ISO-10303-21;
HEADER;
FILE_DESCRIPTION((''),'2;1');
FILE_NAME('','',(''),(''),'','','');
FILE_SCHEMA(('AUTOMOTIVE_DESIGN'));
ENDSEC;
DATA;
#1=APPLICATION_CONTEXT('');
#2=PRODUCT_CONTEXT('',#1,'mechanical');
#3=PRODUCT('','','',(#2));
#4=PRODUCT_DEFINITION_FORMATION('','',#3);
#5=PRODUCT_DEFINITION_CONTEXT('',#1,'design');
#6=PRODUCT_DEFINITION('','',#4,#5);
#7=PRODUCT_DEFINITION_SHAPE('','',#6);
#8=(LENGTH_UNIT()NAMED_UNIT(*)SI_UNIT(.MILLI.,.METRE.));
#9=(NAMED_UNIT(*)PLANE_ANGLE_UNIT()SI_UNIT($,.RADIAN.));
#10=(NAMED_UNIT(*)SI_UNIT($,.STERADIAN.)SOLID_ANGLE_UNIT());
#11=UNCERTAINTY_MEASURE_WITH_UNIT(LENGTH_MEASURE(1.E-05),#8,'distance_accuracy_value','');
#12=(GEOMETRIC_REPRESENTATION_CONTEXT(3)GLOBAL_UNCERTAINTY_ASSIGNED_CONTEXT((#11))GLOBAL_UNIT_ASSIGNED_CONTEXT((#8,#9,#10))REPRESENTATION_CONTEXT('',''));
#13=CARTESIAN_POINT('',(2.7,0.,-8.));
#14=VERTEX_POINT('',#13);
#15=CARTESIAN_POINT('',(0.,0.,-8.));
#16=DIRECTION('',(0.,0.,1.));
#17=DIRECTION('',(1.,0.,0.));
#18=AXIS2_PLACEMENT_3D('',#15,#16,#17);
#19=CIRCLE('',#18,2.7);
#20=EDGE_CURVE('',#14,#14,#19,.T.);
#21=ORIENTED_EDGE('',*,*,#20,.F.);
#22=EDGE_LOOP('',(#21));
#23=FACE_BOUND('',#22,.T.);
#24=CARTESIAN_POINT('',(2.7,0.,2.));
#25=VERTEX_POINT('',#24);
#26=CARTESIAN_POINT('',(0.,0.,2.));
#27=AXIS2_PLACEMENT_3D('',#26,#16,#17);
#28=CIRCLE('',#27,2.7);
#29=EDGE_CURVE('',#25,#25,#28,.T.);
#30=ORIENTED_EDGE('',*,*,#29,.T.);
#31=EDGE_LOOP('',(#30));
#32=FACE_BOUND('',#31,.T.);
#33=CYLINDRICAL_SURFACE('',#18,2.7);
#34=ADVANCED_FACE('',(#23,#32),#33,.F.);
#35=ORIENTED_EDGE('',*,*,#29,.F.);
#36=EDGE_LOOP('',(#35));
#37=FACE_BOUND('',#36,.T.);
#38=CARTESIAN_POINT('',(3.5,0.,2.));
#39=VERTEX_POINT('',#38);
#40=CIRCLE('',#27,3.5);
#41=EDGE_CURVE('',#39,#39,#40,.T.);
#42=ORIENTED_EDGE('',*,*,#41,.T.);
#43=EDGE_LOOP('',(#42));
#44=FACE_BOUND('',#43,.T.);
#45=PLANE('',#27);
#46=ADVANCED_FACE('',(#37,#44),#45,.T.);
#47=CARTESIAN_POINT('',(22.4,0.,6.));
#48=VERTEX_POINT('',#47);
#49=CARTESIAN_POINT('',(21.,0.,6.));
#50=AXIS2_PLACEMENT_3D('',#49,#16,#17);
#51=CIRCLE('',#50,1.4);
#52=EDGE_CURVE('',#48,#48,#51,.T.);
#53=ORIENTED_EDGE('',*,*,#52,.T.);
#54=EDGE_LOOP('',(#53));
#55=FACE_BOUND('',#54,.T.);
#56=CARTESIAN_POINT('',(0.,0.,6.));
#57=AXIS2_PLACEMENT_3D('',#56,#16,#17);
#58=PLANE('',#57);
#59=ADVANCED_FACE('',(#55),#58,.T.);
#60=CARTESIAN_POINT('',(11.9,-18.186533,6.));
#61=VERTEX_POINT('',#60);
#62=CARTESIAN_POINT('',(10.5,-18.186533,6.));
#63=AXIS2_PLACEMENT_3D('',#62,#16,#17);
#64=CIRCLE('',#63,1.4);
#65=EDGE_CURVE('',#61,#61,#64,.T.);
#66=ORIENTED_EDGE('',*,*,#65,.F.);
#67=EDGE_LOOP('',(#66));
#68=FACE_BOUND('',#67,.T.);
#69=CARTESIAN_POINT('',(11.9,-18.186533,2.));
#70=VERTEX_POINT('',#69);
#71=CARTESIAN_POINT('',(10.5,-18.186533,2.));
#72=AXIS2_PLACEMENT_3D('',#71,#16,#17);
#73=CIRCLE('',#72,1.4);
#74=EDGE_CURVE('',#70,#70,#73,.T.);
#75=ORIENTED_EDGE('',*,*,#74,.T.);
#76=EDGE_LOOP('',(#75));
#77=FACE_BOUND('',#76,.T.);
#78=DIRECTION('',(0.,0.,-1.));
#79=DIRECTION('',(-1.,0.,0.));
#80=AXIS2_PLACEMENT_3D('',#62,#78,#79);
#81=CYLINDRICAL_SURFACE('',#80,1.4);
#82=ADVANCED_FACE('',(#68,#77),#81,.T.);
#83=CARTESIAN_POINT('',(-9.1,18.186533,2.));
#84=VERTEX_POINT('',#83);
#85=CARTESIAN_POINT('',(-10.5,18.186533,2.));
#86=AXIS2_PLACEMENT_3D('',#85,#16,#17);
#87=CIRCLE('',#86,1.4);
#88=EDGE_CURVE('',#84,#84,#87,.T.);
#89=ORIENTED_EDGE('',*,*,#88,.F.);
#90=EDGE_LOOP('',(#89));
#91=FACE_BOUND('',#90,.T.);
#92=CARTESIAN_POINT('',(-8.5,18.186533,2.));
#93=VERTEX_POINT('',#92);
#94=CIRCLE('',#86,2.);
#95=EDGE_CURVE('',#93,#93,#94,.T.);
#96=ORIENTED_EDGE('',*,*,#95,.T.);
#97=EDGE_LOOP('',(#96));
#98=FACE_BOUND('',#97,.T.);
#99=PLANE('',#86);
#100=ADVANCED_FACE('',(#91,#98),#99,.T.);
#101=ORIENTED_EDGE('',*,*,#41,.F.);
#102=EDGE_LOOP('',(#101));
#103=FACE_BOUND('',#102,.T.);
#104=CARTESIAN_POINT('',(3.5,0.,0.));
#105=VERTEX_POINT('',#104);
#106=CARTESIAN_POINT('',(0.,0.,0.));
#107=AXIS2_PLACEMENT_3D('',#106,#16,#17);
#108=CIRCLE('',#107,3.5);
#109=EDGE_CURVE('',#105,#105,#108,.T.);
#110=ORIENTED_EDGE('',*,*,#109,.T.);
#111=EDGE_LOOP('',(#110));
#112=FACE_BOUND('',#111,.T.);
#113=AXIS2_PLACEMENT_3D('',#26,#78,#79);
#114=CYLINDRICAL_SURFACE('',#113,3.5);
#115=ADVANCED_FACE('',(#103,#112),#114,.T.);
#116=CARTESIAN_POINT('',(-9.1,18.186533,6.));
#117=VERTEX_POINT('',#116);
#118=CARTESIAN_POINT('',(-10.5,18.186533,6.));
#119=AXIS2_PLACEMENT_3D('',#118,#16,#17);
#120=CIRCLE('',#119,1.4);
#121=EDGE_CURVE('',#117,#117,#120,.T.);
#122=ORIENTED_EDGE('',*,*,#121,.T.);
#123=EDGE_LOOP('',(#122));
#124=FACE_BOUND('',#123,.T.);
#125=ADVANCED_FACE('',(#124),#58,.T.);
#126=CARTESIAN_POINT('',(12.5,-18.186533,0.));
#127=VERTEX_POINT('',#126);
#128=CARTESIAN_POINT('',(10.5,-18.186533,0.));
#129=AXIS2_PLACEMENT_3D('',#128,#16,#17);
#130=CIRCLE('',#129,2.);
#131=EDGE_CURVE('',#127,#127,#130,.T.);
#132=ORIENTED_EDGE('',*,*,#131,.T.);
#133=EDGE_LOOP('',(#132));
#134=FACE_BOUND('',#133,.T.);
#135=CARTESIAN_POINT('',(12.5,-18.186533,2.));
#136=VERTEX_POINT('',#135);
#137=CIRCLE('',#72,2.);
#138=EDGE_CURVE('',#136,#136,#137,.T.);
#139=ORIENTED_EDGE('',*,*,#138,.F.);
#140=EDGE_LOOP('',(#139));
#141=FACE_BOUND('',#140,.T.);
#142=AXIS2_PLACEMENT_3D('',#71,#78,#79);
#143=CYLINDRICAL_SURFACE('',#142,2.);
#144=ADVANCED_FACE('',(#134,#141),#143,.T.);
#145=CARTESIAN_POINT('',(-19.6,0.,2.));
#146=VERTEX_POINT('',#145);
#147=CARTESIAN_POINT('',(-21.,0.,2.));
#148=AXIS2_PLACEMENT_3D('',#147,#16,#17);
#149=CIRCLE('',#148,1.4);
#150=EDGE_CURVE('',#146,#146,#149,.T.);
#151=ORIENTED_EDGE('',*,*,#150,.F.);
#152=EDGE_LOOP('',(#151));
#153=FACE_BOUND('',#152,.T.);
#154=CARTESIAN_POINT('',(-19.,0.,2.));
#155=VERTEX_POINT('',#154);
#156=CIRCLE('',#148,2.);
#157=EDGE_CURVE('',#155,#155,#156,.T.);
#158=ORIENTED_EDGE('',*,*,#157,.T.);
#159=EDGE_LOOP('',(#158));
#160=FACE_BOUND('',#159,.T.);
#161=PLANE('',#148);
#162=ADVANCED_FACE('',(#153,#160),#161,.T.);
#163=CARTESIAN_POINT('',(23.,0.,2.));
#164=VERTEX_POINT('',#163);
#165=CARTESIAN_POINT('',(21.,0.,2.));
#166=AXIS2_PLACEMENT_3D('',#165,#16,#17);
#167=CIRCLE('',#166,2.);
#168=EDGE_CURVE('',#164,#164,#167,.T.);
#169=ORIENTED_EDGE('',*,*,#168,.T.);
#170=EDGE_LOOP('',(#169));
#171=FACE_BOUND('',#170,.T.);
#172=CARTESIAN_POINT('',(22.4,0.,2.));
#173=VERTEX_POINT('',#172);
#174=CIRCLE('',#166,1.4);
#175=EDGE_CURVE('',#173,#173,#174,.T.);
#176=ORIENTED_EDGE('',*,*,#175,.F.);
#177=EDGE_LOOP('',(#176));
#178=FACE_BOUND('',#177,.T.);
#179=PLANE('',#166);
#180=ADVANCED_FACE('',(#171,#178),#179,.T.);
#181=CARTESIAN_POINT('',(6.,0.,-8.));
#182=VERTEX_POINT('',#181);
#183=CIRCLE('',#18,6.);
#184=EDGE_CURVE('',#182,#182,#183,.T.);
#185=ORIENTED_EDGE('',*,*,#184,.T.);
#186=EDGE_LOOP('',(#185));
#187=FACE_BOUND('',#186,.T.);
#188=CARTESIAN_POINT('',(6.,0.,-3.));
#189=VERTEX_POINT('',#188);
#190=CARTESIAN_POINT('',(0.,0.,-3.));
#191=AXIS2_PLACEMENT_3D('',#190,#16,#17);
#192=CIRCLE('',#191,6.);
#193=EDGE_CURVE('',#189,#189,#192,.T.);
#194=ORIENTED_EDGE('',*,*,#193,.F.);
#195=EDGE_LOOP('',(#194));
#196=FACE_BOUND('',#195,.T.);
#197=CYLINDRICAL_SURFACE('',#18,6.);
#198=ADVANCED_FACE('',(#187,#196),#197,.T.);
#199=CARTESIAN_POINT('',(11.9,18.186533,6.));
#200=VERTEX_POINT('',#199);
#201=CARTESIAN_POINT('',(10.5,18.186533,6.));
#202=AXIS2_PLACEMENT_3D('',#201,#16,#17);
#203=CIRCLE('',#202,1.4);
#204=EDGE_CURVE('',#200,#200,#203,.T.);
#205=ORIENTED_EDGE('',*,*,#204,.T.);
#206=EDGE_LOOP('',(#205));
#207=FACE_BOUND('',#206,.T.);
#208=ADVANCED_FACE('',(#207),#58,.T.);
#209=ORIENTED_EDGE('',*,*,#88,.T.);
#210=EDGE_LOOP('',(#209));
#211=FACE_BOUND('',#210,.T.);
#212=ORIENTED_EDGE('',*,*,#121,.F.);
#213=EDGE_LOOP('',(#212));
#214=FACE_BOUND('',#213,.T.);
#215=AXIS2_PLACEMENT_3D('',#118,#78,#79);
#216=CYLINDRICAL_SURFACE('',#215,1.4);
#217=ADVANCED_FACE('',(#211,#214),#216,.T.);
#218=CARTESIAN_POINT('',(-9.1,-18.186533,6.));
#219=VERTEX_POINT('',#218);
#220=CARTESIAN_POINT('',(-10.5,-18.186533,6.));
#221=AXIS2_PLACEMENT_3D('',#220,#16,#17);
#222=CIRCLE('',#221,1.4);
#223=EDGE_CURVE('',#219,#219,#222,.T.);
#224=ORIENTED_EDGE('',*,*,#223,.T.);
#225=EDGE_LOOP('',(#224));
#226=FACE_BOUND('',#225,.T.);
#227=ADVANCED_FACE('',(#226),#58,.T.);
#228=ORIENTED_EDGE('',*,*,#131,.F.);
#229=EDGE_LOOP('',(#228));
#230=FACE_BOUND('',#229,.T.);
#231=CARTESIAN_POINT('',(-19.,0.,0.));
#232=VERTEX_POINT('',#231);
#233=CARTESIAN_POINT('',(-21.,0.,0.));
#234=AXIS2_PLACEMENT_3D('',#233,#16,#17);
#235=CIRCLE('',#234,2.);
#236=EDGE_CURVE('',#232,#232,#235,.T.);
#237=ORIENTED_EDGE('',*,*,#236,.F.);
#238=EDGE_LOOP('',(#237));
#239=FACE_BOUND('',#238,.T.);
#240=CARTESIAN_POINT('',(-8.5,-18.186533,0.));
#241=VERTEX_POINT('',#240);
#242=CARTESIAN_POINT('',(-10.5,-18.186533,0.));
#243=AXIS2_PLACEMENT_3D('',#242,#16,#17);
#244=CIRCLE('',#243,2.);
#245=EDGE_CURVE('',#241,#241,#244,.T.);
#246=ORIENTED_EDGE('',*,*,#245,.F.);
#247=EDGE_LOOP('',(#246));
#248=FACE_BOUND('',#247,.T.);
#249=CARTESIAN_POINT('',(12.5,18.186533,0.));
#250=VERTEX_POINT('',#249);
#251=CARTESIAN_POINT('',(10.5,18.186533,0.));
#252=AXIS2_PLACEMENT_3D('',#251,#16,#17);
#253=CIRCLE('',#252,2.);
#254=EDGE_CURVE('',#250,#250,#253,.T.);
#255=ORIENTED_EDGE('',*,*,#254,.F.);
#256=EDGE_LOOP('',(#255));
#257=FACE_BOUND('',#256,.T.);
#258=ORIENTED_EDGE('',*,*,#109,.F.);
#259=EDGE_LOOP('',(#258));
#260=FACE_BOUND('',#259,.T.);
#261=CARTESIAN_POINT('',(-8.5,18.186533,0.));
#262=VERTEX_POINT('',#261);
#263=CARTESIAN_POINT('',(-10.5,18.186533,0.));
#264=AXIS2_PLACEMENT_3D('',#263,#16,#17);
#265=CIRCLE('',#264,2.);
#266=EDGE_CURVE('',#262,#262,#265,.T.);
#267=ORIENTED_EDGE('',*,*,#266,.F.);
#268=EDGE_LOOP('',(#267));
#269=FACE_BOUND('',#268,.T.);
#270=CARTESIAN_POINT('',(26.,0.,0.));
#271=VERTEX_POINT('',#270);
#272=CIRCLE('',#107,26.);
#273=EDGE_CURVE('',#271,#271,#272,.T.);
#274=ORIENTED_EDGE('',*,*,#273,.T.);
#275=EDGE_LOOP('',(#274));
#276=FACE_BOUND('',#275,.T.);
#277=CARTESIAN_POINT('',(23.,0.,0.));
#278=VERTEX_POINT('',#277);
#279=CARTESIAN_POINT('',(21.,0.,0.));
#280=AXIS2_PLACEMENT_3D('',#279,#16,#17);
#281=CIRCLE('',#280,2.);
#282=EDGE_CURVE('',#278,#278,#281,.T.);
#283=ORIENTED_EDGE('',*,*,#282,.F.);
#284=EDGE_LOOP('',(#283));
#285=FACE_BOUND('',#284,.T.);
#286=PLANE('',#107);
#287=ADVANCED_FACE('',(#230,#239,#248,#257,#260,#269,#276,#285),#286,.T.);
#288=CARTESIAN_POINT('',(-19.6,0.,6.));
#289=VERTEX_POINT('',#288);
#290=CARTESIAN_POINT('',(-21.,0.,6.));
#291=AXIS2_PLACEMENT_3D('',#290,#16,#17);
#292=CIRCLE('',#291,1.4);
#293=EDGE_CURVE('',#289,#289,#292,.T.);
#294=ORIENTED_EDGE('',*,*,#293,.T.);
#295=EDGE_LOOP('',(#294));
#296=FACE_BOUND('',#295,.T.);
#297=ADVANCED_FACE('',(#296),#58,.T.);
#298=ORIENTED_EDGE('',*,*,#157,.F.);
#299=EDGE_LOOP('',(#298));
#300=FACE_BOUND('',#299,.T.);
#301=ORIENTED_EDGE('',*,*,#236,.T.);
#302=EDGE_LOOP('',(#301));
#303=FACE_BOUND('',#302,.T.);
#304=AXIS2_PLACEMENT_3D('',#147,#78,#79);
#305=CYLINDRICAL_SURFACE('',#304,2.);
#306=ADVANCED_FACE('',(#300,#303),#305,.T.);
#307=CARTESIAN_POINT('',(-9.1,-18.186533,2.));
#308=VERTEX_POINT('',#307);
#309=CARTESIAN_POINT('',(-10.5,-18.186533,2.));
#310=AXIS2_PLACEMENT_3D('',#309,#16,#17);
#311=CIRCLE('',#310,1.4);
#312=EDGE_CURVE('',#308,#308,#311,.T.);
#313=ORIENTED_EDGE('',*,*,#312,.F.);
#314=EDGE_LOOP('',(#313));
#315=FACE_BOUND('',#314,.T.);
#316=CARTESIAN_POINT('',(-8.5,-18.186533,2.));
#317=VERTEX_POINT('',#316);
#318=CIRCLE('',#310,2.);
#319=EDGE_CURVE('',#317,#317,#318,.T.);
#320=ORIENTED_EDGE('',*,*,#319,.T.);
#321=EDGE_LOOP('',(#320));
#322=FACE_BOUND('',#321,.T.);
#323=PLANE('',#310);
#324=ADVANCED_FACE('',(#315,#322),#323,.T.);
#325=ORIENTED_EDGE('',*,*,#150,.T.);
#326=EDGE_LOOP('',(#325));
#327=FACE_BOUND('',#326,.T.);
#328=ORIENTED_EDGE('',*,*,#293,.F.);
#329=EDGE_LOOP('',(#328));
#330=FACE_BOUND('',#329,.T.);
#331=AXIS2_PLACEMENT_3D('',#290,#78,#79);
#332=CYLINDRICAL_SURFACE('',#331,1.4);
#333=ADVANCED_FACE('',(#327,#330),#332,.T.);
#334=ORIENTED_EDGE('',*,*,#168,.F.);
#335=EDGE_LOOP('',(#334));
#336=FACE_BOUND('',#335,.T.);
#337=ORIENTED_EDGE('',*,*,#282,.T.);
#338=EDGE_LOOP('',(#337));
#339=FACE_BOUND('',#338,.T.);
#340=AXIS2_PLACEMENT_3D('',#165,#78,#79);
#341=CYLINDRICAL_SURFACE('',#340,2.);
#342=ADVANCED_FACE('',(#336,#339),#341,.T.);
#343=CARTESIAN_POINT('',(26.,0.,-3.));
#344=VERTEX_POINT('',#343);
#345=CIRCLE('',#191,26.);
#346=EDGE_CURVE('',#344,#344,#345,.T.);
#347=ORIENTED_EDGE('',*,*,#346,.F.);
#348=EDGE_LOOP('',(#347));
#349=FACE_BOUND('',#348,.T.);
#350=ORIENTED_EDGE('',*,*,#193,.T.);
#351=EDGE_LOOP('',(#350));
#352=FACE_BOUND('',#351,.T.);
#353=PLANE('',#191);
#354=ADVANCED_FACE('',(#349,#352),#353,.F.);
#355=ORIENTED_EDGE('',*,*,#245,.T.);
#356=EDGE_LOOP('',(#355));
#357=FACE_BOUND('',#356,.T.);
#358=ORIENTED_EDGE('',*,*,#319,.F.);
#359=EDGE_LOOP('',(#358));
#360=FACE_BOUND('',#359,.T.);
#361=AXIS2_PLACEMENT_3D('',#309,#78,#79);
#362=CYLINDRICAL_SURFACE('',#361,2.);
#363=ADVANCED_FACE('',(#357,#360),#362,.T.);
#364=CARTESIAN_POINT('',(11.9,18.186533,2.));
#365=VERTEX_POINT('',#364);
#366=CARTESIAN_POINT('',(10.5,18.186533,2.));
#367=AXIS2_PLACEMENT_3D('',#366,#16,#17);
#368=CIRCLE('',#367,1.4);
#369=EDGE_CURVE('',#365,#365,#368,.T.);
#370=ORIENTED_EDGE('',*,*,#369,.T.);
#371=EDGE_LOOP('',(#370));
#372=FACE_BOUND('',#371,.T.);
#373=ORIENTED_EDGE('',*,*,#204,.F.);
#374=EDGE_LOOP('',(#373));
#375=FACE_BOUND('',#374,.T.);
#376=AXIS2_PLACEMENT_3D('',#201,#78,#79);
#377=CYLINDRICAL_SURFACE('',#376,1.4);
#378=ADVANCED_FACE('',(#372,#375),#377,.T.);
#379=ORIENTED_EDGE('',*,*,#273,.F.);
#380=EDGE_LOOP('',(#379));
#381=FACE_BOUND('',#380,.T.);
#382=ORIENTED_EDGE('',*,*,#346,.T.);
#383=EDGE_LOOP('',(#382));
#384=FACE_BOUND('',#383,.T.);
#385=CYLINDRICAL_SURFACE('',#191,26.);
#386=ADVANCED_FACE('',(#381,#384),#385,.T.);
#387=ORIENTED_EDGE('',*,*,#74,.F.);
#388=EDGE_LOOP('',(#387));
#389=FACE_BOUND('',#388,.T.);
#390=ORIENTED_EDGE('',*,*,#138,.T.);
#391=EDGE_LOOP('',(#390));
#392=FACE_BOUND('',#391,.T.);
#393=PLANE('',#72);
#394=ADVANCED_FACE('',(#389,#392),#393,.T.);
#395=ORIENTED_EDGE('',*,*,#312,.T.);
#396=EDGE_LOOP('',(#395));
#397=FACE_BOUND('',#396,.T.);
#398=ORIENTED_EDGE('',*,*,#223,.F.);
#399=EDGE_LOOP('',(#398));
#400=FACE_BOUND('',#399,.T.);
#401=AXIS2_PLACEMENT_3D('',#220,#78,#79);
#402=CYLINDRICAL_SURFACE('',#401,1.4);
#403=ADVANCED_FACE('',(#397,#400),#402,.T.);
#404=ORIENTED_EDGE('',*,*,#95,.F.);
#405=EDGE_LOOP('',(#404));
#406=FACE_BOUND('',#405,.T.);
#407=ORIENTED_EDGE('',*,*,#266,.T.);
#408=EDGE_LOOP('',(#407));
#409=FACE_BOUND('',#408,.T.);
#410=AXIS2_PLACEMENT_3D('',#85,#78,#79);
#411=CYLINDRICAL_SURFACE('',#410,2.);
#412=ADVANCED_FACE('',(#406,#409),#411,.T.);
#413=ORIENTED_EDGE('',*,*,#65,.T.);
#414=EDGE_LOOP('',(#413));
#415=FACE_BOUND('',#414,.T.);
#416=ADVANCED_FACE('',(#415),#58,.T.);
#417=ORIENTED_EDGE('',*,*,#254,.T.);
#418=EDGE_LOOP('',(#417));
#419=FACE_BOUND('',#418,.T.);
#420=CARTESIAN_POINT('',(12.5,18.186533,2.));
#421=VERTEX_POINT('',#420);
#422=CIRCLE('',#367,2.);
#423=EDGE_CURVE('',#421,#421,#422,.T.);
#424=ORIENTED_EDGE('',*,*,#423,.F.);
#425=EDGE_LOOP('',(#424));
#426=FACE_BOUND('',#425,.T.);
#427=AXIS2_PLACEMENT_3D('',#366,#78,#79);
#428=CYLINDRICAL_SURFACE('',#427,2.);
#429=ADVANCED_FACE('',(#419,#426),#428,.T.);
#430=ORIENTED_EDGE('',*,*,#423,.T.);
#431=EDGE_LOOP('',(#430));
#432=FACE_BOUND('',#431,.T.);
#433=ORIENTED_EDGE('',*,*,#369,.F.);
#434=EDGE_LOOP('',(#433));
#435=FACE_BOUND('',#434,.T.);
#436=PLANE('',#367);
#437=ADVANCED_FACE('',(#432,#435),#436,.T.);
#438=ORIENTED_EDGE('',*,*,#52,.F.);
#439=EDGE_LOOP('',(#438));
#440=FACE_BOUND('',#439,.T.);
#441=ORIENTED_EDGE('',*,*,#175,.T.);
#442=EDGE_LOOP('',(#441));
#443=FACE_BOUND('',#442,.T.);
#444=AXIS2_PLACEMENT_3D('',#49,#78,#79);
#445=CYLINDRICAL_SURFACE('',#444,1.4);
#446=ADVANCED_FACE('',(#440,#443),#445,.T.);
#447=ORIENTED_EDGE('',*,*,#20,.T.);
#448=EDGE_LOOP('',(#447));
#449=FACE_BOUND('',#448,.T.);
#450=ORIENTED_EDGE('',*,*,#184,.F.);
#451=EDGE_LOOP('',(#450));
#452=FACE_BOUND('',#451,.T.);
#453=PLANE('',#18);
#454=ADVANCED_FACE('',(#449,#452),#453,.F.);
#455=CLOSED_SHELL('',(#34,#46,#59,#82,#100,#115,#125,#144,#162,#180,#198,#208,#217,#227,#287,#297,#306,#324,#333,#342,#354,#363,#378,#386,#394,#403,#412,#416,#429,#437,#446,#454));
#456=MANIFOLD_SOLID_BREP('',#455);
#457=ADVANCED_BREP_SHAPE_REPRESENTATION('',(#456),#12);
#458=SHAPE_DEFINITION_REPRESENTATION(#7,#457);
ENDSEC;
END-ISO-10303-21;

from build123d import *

# Parameters (mm, degrees)
SKETCH_1_R          = 26
EXTRUDE_1_DEPTH     = 3
SKETCH_2_R          = 1.4
EXTRUDE_2_DEPTH     = 6
SKETCH_4_R          = 2
EXTRUDE_4_DEPTH     = 2
SKETCH_5_R          = 6
CUT_EXTRUDE_1_DEPTH = 38.25587202
SKETCH_7_R          = 6
SKETCH_7_R_2        = 2.7
EXTRUDE_1_2_DEPTH   = 8
EXTRUDE_START       = 2
SKETCH_8_R          = 3.5
SKETCH_8_R_2        = 2.7
EXTRUDE_2_2_DEPTH   = 2


with BuildPart() as part:
    # 草图1 → Extrude 1 (new body)
    with BuildSketch(Plane.XY):
        Circle(SKETCH_1_R)
    extrude(amount=-EXTRUDE_1_DEPTH)

    # 草图2 → Extrude 2 (add)
    with BuildSketch(Plane.XY):
        with Locations((-21, 0)):
            Circle(SKETCH_2_R)
        with Locations((-10.5, 18.186533479)):
            Circle(SKETCH_2_R)
        with Locations((10.5, 18.186533479)):
            Circle(SKETCH_2_R)
        with Locations((21, 0)):
            Circle(SKETCH_2_R)
        with Locations((10.5, -18.186533479)):
            Circle(SKETCH_2_R)
        with Locations((-10.5, -18.186533479)):
            Circle(SKETCH_2_R)
    extrude(amount=EXTRUDE_2_DEPTH)

    # 草图4 → 凸台-拉伸4 (add)
    with BuildSketch(Plane.XY):
        with Locations((-10.5, 18.186533479)):
            Circle(SKETCH_4_R)
        with Locations((10.5, 18.186533479)):
            Circle(SKETCH_4_R)
        with Locations((21, 0)):
            Circle(SKETCH_4_R)
        with Locations((10.5, -18.186533479)):
            Circle(SKETCH_4_R)
        with Locations((-10.5, -18.186533479)):
            Circle(SKETCH_4_R)
        with Locations((-21, 0)):
            Circle(SKETCH_4_R)
    extrude(amount=EXTRUDE_4_DEPTH)

    # 草图5 → 切除-拉伸1 (cut, through all)
    with BuildSketch(Plane.XY):
        Circle(SKETCH_5_R)
    extrude(amount=-CUT_EXTRUDE_1_DEPTH, mode=Mode.SUBTRACT)

    # 草图7 → Extrude 1 2 (add)
    with BuildSketch(Plane.XY):
        Circle(SKETCH_7_R)
        Circle(SKETCH_7_R_2, mode=Mode.SUBTRACT)
    extrude(amount=-EXTRUDE_1_2_DEPTH)

    # 草图8 → Extrude 2 2 (add)
    with BuildSketch(Plane.XY.offset(EXTRUDE_START)):
        Circle(SKETCH_8_R)
        Circle(SKETCH_8_R_2, mode=Mode.SUBTRACT)
    extrude(amount=-EXTRUDE_2_2_DEPTH)


solid = part.part
